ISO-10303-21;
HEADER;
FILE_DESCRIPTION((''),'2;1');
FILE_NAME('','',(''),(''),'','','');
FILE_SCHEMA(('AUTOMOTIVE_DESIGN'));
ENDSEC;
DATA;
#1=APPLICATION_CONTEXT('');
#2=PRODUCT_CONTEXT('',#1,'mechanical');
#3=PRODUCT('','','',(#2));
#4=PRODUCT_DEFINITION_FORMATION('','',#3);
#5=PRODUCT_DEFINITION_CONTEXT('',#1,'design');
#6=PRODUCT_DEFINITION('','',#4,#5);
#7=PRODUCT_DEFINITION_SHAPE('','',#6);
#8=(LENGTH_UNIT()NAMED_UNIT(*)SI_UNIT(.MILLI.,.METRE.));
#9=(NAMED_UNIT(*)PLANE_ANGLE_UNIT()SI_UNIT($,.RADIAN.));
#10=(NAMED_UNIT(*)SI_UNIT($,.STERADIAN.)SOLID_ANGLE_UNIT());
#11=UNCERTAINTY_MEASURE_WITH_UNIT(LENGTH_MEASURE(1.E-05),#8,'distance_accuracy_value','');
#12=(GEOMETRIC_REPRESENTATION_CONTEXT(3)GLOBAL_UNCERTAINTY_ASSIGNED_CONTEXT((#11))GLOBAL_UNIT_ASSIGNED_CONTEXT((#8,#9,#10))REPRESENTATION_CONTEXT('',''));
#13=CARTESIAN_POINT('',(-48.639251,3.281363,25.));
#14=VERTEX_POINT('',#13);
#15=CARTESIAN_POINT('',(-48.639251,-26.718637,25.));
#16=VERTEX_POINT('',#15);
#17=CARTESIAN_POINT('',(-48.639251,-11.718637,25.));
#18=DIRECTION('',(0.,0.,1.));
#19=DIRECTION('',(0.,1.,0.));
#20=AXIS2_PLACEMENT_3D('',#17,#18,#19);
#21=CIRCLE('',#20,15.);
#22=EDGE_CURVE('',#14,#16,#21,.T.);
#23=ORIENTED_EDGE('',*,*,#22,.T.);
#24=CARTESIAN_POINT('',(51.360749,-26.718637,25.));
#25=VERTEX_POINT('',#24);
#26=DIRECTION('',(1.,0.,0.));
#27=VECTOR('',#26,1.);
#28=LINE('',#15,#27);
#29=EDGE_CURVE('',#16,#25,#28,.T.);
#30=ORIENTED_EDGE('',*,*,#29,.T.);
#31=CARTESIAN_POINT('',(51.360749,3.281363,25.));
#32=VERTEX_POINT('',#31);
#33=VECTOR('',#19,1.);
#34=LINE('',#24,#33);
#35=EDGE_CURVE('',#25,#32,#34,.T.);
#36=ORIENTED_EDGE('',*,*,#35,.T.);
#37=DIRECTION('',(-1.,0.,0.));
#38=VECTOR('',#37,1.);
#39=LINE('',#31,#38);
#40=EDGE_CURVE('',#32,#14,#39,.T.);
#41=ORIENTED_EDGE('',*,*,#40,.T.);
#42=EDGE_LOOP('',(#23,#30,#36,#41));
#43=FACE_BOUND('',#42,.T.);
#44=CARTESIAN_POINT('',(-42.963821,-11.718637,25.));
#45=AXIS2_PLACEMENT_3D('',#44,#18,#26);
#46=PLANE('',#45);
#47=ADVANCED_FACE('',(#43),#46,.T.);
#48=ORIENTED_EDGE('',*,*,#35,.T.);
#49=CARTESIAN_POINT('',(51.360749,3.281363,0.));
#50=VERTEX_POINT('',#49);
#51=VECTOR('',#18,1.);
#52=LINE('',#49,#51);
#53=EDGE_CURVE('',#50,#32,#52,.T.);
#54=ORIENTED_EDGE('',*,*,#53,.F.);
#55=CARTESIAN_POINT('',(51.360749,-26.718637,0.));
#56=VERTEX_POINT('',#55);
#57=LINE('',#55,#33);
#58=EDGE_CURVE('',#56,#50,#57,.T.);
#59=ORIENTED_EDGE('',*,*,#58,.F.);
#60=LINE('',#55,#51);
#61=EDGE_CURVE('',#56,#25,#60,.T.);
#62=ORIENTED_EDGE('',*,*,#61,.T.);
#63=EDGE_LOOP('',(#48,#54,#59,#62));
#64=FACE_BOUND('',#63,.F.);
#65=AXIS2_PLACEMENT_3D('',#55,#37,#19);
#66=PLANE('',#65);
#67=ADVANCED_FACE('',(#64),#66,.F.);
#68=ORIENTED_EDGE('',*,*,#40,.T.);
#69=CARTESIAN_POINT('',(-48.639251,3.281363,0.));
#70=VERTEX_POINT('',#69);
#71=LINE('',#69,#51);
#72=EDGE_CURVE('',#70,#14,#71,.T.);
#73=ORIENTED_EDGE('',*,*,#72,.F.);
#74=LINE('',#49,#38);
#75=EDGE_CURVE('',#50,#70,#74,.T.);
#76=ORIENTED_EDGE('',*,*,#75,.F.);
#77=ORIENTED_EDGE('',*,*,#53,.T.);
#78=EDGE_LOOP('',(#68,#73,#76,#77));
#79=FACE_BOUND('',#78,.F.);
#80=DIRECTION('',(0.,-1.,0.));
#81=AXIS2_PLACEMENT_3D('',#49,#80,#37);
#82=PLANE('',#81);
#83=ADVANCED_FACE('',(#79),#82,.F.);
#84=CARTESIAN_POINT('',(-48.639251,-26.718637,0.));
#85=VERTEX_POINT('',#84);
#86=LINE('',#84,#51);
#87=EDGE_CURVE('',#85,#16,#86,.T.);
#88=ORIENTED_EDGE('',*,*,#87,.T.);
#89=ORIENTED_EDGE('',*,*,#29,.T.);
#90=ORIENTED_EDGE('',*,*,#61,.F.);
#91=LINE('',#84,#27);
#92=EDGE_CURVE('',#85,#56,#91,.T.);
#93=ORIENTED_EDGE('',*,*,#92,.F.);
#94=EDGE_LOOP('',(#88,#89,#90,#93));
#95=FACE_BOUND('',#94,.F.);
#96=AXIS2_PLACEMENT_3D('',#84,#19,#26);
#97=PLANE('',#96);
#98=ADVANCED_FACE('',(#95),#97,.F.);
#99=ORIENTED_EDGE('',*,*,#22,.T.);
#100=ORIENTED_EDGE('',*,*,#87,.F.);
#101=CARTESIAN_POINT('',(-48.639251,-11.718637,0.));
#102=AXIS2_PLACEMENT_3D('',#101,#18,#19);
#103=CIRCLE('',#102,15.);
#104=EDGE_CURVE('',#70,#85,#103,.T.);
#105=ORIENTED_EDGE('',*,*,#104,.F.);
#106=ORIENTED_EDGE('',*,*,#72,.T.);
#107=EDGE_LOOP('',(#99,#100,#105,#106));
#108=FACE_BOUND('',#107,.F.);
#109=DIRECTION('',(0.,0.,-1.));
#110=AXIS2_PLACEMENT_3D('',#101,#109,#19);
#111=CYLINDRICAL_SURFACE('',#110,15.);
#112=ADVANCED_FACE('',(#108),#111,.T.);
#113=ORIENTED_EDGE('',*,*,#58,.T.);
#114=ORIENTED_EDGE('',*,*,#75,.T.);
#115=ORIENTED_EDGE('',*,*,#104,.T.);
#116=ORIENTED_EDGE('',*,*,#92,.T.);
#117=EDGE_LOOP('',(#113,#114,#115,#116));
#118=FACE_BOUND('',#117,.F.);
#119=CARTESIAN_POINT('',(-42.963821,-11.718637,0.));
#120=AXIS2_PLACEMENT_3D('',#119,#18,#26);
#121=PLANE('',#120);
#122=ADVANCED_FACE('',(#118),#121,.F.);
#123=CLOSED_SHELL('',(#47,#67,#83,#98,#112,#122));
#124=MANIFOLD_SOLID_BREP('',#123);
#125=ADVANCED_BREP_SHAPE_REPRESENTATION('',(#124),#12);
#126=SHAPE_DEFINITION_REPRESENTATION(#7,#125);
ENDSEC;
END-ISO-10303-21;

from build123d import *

# Parameters (mm, degrees)
F1_DEPTH = 25


with BuildPart() as f1:
    # F0 (on Top) → F1 (new body)
    with BuildSketch(Plane.XY):
        with BuildLine():
            ThreePointArc((-33.639251, -11.718637), (-38.03265, -1.112035), (-48.639251, 3.281363))
            Line((-48.639251, 3.281363), (-48.639251, -26.718637))
            ThreePointArc((-48.639251, -26.718637), (-38.03265, -22.325239), (-33.639251, -11.718637))
        make_face()
        with BuildLine():
            Line((51.360749, 3.281363), (-48.639251, 3.281363))
            ThreePointArc((-48.639251, 3.281363), (-38.03265, -1.112035), (-33.639251, -11.718637))
            ThreePointArc((-33.639251, -11.718637), (-38.03265, -22.325239), (-48.639251, -26.718637))
            Line((-48.639251, -26.718637), (51.360749, -26.718637))
            Line((51.360749, -26.718637), (51.360749, 3.281363))
        make_face()
        with BuildLine():
            Line((-48.639251, -26.718637), (-48.639251, 3.281363))
            ThreePointArc((-48.639251, 3.281363), (-63.639251, -11.718637), (-48.639251, -26.718637))
        make_face()
    extrude(amount=F1_DEPTH)


solid = f1.part
